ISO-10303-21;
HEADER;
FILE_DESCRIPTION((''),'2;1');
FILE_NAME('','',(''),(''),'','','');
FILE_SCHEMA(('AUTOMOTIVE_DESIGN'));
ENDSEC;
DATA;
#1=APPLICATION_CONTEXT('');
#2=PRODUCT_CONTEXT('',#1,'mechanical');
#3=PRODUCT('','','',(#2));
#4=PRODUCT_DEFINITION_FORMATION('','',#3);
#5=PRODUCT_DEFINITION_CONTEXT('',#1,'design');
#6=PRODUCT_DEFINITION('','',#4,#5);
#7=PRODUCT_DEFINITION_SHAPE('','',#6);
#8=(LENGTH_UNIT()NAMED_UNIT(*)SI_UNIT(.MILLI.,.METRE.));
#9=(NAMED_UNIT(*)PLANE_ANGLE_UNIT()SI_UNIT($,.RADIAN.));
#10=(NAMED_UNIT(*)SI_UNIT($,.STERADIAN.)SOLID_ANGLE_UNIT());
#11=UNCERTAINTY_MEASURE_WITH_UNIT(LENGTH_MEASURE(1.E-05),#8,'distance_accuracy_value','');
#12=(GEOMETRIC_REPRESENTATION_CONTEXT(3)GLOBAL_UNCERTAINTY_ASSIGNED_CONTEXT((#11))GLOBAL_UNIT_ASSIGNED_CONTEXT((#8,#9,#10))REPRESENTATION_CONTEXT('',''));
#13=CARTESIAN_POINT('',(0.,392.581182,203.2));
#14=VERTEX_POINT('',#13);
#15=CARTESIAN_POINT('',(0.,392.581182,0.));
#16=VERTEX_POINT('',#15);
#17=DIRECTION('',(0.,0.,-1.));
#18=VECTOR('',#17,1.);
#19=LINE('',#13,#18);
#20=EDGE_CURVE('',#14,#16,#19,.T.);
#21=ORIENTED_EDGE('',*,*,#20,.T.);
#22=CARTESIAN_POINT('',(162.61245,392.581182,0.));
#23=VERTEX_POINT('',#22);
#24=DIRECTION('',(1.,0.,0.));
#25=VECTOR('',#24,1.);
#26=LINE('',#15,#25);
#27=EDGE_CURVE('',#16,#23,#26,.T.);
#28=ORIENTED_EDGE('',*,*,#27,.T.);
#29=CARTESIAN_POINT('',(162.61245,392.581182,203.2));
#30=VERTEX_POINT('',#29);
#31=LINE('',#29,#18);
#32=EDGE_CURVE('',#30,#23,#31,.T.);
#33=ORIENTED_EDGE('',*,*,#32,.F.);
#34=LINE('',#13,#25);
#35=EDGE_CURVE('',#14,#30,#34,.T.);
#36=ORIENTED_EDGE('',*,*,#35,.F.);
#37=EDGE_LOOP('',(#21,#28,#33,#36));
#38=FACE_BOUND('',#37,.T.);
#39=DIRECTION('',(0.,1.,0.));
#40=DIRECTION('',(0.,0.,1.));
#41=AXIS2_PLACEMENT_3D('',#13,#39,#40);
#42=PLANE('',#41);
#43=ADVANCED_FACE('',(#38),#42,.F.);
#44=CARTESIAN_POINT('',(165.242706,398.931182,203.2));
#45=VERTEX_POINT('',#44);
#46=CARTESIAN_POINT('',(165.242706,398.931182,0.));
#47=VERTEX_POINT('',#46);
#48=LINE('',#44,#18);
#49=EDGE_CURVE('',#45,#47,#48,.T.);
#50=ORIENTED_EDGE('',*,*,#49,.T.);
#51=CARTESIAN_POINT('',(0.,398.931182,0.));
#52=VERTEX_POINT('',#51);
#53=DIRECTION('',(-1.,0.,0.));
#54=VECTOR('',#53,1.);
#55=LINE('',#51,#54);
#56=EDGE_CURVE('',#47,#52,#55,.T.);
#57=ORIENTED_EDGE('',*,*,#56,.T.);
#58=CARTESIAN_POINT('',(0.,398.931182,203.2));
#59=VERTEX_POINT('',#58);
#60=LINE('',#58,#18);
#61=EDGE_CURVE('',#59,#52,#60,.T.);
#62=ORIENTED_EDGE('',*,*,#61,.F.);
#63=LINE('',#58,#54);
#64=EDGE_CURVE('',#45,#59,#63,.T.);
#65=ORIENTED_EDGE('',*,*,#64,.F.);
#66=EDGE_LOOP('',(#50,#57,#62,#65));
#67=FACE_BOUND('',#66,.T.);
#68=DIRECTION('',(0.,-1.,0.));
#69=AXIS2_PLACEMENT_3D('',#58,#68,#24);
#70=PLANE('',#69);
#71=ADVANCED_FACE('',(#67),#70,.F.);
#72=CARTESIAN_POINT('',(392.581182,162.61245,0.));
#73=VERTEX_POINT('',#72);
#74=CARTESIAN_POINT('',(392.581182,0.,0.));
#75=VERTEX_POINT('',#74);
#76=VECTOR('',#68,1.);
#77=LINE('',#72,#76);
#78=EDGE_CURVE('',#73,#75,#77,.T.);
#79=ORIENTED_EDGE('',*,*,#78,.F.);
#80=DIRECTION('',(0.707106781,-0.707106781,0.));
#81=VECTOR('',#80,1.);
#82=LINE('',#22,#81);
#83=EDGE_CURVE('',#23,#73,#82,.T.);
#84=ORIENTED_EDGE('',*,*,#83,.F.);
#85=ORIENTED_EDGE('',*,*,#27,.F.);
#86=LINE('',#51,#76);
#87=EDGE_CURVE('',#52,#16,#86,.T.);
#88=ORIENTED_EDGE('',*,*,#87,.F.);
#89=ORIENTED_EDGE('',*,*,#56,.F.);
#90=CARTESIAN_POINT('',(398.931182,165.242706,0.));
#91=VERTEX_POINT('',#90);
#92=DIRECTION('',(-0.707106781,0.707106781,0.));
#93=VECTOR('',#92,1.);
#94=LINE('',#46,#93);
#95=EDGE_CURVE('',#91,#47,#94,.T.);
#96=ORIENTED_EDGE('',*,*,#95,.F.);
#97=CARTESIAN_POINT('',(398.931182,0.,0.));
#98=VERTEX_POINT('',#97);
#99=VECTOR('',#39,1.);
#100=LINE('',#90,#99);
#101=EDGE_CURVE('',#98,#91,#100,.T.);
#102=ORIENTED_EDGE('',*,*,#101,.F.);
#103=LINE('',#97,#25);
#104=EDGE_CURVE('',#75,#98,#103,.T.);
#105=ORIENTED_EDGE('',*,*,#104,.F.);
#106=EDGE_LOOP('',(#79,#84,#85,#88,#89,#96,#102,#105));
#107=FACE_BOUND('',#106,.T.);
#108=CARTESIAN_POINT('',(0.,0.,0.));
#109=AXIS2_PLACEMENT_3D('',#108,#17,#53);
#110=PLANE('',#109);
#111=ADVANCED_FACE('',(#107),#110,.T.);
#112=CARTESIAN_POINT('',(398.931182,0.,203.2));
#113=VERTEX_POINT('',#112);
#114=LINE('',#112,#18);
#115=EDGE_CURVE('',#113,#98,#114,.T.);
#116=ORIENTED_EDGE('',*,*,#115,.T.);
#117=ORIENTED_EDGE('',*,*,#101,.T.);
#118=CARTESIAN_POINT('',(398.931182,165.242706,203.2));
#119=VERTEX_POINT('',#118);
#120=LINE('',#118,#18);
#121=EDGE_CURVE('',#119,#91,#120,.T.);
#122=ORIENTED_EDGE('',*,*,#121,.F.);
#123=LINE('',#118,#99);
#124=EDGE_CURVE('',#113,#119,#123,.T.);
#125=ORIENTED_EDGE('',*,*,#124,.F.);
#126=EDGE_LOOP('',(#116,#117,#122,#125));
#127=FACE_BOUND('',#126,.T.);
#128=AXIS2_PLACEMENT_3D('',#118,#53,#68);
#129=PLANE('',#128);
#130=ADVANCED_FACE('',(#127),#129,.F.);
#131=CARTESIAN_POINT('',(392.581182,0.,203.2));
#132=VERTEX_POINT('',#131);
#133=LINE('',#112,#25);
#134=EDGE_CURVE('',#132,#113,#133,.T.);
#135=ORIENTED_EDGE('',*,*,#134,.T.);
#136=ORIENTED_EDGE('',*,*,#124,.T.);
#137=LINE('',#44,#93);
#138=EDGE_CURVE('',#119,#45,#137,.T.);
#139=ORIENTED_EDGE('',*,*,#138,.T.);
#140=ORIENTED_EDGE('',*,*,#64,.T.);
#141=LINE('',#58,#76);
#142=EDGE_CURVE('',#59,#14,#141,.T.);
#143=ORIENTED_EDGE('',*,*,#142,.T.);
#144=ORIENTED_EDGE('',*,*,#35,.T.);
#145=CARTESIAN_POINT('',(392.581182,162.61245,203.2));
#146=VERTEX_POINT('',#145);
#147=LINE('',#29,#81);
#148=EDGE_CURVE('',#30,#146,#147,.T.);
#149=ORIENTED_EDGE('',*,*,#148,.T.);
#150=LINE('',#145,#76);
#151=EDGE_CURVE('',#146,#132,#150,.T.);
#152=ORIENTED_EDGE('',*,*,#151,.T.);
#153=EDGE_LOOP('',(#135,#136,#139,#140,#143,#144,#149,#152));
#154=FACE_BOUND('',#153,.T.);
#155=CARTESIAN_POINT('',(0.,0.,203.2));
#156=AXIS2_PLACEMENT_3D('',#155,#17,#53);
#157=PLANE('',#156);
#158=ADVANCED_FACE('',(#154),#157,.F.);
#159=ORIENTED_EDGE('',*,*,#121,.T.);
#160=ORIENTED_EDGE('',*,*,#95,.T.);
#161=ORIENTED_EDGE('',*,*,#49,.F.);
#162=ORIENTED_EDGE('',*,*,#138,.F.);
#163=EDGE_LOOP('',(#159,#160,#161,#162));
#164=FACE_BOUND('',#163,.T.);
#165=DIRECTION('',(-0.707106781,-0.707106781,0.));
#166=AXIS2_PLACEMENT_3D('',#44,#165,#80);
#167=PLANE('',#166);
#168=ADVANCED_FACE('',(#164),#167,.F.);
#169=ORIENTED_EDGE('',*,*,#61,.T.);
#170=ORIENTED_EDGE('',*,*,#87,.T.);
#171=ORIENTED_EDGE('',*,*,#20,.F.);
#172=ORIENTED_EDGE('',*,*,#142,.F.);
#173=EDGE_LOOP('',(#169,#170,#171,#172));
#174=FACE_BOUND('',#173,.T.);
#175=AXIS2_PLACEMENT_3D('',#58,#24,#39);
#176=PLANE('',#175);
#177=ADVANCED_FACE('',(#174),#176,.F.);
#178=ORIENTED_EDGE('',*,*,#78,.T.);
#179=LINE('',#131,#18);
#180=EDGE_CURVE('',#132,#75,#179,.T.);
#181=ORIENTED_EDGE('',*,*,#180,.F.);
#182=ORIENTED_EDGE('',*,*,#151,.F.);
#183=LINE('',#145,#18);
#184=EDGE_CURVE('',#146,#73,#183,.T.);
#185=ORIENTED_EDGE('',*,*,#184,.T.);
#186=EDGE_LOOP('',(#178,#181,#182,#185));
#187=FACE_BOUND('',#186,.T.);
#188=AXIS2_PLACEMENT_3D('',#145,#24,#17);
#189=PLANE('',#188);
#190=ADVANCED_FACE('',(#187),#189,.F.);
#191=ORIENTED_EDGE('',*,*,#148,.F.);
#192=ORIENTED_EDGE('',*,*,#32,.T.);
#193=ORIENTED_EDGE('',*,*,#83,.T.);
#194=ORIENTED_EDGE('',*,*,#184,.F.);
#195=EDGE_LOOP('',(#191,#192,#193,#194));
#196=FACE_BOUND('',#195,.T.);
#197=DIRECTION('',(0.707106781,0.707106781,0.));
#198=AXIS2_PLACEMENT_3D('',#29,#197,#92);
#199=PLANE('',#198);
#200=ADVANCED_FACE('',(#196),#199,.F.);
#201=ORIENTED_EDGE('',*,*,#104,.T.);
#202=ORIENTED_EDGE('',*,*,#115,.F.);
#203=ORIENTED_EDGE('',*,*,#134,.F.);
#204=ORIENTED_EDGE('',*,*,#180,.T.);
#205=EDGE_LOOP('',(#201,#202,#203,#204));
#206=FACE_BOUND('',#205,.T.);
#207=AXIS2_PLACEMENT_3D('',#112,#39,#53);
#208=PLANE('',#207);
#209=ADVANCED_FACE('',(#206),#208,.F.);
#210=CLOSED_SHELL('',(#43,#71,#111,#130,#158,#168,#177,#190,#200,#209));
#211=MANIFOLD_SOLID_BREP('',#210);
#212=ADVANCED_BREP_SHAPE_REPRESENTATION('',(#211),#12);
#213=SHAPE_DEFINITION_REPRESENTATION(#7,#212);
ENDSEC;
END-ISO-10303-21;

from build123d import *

# Parameters (mm, degrees)
BOSS_EXTRUDE1_DEPTH = 203.2


with BuildPart() as part:
    # Sketch1 → Boss-Extrude1 (new body)
    with BuildSketch(Plane.XY):
        Polygon((398.931182138, 165.242706095), (398.931182138, 0), (392.581182138, 0), (392.581182138, 162.612449974), (162.612449974, 392.581182138), (0, 392.581182138), (0, 398.931182138), (165.242706095, 398.931182138), align=None)
    extrude(amount=BOSS_EXTRUDE1_DEPTH)


solid = part.part
